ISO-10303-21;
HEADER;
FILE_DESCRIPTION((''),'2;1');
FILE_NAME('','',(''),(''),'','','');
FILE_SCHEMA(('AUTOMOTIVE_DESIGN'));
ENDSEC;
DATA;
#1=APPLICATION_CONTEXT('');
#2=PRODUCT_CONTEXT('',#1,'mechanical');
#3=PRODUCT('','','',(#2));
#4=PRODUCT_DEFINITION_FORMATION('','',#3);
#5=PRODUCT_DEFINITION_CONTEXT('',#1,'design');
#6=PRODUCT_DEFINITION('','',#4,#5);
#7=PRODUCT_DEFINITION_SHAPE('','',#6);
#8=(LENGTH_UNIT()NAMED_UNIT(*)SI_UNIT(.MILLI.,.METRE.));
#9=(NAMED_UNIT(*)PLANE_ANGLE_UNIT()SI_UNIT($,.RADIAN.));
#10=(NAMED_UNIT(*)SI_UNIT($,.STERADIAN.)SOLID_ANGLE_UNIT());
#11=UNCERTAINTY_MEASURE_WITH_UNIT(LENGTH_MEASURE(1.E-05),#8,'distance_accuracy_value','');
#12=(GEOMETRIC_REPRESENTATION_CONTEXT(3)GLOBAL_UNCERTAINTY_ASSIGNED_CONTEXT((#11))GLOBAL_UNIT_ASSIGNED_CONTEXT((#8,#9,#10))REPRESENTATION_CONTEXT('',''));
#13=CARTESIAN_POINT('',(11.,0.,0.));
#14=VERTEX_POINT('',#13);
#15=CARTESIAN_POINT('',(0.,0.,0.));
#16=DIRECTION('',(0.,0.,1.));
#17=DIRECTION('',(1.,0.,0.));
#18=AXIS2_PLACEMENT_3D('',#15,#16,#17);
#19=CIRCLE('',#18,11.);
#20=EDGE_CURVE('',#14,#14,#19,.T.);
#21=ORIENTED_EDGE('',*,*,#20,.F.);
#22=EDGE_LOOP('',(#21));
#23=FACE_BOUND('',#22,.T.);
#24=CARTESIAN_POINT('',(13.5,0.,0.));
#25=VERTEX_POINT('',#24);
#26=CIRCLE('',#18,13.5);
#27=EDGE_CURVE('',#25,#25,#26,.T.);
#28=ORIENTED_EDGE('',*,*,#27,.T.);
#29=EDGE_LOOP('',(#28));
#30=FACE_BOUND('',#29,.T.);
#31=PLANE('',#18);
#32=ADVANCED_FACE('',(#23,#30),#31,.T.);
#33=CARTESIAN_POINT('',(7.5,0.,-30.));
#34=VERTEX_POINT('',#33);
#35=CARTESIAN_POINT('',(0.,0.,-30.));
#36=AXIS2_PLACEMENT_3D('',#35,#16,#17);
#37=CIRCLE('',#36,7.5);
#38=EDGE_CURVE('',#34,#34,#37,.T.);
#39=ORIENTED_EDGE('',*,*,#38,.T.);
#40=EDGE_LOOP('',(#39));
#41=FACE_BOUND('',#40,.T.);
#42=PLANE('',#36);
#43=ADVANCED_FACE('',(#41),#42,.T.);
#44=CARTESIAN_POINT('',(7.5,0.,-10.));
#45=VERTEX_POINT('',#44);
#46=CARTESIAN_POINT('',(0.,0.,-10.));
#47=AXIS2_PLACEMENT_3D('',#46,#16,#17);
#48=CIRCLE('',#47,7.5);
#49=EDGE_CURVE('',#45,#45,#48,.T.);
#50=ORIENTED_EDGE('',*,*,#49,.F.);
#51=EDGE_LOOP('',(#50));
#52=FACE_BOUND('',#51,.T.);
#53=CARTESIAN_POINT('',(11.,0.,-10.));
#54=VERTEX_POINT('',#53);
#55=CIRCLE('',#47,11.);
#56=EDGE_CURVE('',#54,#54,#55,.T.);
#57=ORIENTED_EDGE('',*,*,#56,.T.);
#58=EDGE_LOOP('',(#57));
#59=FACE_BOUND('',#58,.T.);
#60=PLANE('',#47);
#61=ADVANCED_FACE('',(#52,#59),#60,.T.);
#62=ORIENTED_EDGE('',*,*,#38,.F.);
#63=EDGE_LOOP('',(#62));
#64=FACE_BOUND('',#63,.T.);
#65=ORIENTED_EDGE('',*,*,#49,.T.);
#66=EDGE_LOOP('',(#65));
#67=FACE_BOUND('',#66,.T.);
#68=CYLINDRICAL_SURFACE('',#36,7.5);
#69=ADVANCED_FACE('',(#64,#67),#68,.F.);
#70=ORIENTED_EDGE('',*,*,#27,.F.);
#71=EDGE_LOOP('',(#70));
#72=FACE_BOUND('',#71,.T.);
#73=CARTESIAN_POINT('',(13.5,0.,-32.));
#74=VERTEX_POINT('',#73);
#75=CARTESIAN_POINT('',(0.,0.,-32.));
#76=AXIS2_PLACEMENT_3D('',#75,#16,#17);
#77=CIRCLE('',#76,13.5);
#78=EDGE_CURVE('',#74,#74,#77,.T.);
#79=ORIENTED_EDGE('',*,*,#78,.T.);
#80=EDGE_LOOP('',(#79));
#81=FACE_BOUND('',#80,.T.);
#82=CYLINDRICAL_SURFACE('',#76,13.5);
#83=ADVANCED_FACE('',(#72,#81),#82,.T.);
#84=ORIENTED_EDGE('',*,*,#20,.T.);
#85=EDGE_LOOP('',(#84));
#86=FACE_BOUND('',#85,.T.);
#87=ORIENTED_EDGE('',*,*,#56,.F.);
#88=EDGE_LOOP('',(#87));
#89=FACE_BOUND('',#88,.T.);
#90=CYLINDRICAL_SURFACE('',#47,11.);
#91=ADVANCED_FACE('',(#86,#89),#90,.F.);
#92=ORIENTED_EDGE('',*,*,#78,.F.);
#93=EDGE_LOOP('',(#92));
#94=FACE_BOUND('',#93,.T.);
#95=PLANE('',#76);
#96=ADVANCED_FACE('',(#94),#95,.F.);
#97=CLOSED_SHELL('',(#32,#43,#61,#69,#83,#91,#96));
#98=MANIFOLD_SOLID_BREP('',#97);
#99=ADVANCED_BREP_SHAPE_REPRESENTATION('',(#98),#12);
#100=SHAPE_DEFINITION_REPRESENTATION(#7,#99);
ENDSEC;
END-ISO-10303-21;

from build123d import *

# Parameters (mm, degrees)
SKETCH2_R           = 13.5
BOSS_EXTRUDE1_DEPTH = 32
SKETCH4_R           = 11
CUT_EXTRUDE1_DEPTH  = 10
SKETCH5_R           = 7.5
CUT_EXTRUDE2_DEPTH  = 30


with BuildPart() as part:
    # Sketch2 → Boss-Extrude1 (new body)
    with BuildSketch(Plane.XY):
        Circle(SKETCH2_R)
    extrude(amount=-BOSS_EXTRUDE1_DEPTH)

    # Sketch4 → Cut-Extrude1 (cut)
    with BuildSketch(Plane.XY):
        Circle(SKETCH4_R)
    extrude(amount=-CUT_EXTRUDE1_DEPTH, mode=Mode.SUBTRACT)

    # Sketch5 → Cut-Extrude2 (cut)
    with BuildSketch(Plane.XY):
        Circle(SKETCH5_R)
    extrude(amount=-CUT_EXTRUDE2_DEPTH, mode=Mode.SUBTRACT)


solid = part.part
